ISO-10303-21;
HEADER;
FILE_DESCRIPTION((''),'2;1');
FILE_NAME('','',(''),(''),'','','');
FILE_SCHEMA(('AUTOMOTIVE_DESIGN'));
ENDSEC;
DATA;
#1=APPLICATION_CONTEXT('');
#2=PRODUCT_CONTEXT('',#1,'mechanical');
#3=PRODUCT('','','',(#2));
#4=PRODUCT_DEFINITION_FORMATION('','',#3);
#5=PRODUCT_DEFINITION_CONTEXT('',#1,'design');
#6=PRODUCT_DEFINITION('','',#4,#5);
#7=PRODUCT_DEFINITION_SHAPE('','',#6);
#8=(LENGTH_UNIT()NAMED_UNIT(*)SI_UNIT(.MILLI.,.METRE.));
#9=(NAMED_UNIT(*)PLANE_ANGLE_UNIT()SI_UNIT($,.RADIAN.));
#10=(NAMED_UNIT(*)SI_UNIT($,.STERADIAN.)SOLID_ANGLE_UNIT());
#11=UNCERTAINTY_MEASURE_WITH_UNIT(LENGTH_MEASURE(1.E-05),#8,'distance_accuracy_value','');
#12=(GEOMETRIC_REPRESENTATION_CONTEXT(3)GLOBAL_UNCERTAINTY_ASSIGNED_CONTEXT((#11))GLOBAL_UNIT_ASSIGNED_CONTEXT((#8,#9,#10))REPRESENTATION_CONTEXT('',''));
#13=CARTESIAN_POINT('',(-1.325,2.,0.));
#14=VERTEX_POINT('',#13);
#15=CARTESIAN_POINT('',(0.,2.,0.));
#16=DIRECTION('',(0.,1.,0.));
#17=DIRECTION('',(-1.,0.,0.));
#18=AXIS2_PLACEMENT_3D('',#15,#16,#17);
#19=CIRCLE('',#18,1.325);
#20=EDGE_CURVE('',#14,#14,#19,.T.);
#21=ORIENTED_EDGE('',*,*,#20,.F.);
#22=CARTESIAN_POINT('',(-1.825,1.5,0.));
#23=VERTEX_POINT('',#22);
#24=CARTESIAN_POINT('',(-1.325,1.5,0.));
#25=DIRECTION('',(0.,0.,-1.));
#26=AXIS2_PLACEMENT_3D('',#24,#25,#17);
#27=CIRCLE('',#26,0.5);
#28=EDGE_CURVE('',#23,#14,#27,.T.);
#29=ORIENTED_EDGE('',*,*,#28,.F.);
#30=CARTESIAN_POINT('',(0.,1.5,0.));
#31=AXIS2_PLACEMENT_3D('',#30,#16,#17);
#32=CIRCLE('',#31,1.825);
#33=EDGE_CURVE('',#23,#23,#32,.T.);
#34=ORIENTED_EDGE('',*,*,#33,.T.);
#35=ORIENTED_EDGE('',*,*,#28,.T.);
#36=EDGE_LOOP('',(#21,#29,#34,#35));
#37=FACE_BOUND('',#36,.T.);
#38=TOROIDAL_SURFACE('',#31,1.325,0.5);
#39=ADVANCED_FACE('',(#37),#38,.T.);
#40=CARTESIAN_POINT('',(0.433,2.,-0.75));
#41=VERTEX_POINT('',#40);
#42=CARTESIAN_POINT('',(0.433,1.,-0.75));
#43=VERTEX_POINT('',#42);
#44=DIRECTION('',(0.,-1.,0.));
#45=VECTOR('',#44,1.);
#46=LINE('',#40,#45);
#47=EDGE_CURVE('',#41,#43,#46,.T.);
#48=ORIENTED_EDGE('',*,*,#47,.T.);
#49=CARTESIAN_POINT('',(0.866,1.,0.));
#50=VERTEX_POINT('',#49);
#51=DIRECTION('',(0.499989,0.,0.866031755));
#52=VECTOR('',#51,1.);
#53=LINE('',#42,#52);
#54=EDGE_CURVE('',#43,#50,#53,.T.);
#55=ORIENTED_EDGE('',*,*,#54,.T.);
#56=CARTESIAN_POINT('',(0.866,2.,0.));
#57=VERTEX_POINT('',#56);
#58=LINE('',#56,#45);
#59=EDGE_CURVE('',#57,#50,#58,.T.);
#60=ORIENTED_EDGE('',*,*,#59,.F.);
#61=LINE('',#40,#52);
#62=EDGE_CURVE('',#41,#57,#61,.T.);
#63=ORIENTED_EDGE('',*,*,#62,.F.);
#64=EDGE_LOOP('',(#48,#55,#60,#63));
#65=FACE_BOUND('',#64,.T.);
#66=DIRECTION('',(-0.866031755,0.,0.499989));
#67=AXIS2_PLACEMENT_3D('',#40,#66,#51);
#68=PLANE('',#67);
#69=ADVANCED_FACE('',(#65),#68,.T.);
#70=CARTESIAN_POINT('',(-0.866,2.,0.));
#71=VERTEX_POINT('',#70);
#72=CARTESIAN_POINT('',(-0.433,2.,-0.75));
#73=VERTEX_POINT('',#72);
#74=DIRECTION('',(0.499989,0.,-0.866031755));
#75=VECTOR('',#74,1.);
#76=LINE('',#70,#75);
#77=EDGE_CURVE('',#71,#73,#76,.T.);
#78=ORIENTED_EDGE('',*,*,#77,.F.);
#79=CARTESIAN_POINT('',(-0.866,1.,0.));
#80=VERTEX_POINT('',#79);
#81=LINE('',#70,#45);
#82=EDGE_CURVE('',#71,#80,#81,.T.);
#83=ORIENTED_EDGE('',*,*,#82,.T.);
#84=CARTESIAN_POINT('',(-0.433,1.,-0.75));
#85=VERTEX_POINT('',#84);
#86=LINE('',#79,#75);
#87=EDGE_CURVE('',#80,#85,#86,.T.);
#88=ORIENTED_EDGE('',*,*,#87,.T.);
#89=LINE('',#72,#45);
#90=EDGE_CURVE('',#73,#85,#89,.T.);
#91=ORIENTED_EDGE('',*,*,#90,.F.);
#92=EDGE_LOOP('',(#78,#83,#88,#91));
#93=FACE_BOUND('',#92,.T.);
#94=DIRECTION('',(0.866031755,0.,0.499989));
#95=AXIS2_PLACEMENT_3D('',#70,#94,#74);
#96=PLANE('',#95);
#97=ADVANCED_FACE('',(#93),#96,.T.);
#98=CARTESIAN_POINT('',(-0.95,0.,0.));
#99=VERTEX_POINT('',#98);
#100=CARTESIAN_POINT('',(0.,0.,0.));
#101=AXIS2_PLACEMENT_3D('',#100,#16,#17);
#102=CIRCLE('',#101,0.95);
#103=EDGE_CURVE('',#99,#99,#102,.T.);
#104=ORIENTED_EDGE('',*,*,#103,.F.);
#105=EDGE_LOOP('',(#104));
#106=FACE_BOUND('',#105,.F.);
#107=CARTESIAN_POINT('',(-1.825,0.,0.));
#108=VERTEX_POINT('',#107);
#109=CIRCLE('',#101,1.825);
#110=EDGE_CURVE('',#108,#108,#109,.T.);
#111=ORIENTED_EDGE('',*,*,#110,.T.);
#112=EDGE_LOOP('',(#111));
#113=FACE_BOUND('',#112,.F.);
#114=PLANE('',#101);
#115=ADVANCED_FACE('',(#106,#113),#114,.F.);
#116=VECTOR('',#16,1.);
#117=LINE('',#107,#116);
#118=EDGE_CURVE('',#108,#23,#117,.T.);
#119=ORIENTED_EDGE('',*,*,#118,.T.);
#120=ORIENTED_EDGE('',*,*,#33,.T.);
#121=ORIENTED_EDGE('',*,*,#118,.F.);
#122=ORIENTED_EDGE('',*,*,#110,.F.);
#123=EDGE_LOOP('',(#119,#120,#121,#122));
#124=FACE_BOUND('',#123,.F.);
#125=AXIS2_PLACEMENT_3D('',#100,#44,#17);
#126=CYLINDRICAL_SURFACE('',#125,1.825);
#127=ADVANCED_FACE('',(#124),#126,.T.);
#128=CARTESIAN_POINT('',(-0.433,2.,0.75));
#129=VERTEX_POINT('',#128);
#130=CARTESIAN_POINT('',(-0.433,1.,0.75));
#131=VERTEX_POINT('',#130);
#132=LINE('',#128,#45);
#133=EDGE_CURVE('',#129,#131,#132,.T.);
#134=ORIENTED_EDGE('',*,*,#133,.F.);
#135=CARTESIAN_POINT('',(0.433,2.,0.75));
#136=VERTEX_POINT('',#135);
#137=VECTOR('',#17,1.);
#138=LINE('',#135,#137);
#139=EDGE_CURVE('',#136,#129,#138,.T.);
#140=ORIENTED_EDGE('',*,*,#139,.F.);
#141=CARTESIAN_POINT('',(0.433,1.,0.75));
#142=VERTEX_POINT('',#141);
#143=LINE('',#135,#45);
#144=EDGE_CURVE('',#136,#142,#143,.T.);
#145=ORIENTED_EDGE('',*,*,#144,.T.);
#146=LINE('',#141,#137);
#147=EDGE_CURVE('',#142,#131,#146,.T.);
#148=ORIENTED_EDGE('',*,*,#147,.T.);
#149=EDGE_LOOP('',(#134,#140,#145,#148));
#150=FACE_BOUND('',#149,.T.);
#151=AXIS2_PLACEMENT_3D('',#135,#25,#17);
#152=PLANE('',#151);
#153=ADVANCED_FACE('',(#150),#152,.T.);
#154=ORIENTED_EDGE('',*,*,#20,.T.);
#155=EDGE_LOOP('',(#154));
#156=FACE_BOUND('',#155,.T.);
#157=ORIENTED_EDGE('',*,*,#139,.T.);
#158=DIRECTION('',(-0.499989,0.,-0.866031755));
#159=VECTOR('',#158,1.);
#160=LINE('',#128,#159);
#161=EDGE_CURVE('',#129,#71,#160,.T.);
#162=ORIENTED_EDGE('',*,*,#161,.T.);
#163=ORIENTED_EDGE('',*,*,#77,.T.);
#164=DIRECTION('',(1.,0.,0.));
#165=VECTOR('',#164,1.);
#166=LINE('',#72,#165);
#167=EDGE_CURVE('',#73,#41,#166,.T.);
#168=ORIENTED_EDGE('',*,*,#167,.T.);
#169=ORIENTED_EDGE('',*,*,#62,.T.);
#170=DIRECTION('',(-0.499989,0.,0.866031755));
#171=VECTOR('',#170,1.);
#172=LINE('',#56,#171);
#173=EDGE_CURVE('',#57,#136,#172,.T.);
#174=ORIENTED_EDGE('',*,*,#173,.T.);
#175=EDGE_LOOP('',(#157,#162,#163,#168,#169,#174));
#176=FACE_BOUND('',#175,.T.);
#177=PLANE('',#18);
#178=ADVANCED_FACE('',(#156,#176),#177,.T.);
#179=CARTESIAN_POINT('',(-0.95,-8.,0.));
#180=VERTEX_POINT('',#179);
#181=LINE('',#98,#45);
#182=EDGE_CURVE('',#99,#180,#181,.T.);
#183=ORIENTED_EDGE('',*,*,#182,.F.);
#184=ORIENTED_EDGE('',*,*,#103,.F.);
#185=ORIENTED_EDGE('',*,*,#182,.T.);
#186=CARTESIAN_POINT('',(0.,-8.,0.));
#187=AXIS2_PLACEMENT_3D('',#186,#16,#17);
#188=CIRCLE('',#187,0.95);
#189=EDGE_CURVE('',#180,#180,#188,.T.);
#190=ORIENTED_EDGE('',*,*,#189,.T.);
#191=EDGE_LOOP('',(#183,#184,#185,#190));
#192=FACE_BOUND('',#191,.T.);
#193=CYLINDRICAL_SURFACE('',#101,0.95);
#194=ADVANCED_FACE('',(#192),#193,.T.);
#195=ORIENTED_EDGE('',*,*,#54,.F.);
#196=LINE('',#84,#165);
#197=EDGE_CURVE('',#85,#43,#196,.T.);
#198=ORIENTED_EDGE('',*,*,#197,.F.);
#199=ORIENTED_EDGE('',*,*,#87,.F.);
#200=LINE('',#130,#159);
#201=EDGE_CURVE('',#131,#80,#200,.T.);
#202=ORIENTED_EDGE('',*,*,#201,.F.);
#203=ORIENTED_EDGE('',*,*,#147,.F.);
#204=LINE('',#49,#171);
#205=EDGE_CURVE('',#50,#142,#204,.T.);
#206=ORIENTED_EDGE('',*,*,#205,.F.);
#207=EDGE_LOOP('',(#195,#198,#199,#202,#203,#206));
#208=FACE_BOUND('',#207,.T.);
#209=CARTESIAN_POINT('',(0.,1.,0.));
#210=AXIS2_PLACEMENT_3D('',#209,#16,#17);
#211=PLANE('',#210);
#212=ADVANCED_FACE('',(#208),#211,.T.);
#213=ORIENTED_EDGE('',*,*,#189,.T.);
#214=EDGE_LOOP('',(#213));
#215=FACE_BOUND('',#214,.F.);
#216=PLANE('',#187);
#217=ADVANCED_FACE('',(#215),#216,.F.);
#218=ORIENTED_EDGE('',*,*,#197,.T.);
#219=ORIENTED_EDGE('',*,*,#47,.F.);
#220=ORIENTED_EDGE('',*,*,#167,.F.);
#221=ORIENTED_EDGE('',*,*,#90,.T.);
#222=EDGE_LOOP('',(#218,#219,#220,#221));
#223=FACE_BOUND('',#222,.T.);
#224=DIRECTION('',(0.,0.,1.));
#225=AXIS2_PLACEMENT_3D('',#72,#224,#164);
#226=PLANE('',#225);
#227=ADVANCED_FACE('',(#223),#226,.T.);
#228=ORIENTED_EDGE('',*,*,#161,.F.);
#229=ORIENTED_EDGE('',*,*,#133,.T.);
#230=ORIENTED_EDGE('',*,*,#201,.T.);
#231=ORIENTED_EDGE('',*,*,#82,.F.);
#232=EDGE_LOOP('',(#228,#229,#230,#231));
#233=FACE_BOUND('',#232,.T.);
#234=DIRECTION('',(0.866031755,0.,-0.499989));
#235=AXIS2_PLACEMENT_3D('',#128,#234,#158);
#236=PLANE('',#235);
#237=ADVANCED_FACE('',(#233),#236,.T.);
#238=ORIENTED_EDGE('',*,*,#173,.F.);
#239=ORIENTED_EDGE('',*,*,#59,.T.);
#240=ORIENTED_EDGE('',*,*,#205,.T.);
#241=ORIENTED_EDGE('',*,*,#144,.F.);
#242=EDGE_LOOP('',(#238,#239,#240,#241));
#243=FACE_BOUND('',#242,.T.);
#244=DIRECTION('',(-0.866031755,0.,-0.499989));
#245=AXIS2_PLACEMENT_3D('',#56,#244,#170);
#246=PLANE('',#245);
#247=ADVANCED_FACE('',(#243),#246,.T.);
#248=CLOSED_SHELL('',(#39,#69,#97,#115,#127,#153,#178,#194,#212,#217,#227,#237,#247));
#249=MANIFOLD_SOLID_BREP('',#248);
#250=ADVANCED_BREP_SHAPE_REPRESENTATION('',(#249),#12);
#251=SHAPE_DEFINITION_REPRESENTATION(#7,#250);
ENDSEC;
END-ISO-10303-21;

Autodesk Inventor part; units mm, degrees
ref_plane "YZ Plane" through (0, 0, 0) normal (1, 0, 0) x (0, 1, 0)
ref_plane "XZ Plane" through (0, 0, 0) normal (0, 1, 0) x (-1, 0, 0)
ref_plane "XY Plane" through (0, 0, 0) normal (0, 0, 1) x (1, 0, 0)
sketch "Sketch1" plane through (0, 0, 0) normal (0, 1, 0) x (-1, 0, 0)
  circle A0 centre (0, 0) radius 0.95
  circle A1 centre (0, 0) radius 1.825
  line L0 (0.433, -0.75) -> (-0.433, -0.75)
  line L1 (-0.433, -0.75) -> (-0.866, 0)
  line L2 (-0.866, 0) -> (-0.433, 0.75)
  line L3 (-0.433, 0.75) -> (0.433, 0.75)
  line L4 (0.433, 0.75) -> (0.866, 0)
  line L5 (0.866, 0) -> (0.433, -0.75)
  dimension "d0" = 1.9
  dimension "d1" = 3.65
  dimension "d8" = 1.5
extrude "Extrusion1" add sketch "Sketch1" along normal blind 2 contours A0 | A1 | L0 L1 L2 L3 L4 L5
extrude "Extrusion2" add sketch "Sketch1" against normal blind 8 contours A0 | L0 L1 L2 L3 L4 L5
extrude "Extrusion3" cut sketch "Sketch1" against normal blind 1 from surface at 2 contours L0 L1 L2 L3 L4 L5
fillet "Fillet1" radius 0.5 1 edges at (1.825, 2, 0)
thread "Thread2" size "M2x0.4" class "6g" standard "ANSI Metric M Profile" full length
equation "\"d4\" = length"
equation "\"length\" = 8"
properties part number "M2x16"
